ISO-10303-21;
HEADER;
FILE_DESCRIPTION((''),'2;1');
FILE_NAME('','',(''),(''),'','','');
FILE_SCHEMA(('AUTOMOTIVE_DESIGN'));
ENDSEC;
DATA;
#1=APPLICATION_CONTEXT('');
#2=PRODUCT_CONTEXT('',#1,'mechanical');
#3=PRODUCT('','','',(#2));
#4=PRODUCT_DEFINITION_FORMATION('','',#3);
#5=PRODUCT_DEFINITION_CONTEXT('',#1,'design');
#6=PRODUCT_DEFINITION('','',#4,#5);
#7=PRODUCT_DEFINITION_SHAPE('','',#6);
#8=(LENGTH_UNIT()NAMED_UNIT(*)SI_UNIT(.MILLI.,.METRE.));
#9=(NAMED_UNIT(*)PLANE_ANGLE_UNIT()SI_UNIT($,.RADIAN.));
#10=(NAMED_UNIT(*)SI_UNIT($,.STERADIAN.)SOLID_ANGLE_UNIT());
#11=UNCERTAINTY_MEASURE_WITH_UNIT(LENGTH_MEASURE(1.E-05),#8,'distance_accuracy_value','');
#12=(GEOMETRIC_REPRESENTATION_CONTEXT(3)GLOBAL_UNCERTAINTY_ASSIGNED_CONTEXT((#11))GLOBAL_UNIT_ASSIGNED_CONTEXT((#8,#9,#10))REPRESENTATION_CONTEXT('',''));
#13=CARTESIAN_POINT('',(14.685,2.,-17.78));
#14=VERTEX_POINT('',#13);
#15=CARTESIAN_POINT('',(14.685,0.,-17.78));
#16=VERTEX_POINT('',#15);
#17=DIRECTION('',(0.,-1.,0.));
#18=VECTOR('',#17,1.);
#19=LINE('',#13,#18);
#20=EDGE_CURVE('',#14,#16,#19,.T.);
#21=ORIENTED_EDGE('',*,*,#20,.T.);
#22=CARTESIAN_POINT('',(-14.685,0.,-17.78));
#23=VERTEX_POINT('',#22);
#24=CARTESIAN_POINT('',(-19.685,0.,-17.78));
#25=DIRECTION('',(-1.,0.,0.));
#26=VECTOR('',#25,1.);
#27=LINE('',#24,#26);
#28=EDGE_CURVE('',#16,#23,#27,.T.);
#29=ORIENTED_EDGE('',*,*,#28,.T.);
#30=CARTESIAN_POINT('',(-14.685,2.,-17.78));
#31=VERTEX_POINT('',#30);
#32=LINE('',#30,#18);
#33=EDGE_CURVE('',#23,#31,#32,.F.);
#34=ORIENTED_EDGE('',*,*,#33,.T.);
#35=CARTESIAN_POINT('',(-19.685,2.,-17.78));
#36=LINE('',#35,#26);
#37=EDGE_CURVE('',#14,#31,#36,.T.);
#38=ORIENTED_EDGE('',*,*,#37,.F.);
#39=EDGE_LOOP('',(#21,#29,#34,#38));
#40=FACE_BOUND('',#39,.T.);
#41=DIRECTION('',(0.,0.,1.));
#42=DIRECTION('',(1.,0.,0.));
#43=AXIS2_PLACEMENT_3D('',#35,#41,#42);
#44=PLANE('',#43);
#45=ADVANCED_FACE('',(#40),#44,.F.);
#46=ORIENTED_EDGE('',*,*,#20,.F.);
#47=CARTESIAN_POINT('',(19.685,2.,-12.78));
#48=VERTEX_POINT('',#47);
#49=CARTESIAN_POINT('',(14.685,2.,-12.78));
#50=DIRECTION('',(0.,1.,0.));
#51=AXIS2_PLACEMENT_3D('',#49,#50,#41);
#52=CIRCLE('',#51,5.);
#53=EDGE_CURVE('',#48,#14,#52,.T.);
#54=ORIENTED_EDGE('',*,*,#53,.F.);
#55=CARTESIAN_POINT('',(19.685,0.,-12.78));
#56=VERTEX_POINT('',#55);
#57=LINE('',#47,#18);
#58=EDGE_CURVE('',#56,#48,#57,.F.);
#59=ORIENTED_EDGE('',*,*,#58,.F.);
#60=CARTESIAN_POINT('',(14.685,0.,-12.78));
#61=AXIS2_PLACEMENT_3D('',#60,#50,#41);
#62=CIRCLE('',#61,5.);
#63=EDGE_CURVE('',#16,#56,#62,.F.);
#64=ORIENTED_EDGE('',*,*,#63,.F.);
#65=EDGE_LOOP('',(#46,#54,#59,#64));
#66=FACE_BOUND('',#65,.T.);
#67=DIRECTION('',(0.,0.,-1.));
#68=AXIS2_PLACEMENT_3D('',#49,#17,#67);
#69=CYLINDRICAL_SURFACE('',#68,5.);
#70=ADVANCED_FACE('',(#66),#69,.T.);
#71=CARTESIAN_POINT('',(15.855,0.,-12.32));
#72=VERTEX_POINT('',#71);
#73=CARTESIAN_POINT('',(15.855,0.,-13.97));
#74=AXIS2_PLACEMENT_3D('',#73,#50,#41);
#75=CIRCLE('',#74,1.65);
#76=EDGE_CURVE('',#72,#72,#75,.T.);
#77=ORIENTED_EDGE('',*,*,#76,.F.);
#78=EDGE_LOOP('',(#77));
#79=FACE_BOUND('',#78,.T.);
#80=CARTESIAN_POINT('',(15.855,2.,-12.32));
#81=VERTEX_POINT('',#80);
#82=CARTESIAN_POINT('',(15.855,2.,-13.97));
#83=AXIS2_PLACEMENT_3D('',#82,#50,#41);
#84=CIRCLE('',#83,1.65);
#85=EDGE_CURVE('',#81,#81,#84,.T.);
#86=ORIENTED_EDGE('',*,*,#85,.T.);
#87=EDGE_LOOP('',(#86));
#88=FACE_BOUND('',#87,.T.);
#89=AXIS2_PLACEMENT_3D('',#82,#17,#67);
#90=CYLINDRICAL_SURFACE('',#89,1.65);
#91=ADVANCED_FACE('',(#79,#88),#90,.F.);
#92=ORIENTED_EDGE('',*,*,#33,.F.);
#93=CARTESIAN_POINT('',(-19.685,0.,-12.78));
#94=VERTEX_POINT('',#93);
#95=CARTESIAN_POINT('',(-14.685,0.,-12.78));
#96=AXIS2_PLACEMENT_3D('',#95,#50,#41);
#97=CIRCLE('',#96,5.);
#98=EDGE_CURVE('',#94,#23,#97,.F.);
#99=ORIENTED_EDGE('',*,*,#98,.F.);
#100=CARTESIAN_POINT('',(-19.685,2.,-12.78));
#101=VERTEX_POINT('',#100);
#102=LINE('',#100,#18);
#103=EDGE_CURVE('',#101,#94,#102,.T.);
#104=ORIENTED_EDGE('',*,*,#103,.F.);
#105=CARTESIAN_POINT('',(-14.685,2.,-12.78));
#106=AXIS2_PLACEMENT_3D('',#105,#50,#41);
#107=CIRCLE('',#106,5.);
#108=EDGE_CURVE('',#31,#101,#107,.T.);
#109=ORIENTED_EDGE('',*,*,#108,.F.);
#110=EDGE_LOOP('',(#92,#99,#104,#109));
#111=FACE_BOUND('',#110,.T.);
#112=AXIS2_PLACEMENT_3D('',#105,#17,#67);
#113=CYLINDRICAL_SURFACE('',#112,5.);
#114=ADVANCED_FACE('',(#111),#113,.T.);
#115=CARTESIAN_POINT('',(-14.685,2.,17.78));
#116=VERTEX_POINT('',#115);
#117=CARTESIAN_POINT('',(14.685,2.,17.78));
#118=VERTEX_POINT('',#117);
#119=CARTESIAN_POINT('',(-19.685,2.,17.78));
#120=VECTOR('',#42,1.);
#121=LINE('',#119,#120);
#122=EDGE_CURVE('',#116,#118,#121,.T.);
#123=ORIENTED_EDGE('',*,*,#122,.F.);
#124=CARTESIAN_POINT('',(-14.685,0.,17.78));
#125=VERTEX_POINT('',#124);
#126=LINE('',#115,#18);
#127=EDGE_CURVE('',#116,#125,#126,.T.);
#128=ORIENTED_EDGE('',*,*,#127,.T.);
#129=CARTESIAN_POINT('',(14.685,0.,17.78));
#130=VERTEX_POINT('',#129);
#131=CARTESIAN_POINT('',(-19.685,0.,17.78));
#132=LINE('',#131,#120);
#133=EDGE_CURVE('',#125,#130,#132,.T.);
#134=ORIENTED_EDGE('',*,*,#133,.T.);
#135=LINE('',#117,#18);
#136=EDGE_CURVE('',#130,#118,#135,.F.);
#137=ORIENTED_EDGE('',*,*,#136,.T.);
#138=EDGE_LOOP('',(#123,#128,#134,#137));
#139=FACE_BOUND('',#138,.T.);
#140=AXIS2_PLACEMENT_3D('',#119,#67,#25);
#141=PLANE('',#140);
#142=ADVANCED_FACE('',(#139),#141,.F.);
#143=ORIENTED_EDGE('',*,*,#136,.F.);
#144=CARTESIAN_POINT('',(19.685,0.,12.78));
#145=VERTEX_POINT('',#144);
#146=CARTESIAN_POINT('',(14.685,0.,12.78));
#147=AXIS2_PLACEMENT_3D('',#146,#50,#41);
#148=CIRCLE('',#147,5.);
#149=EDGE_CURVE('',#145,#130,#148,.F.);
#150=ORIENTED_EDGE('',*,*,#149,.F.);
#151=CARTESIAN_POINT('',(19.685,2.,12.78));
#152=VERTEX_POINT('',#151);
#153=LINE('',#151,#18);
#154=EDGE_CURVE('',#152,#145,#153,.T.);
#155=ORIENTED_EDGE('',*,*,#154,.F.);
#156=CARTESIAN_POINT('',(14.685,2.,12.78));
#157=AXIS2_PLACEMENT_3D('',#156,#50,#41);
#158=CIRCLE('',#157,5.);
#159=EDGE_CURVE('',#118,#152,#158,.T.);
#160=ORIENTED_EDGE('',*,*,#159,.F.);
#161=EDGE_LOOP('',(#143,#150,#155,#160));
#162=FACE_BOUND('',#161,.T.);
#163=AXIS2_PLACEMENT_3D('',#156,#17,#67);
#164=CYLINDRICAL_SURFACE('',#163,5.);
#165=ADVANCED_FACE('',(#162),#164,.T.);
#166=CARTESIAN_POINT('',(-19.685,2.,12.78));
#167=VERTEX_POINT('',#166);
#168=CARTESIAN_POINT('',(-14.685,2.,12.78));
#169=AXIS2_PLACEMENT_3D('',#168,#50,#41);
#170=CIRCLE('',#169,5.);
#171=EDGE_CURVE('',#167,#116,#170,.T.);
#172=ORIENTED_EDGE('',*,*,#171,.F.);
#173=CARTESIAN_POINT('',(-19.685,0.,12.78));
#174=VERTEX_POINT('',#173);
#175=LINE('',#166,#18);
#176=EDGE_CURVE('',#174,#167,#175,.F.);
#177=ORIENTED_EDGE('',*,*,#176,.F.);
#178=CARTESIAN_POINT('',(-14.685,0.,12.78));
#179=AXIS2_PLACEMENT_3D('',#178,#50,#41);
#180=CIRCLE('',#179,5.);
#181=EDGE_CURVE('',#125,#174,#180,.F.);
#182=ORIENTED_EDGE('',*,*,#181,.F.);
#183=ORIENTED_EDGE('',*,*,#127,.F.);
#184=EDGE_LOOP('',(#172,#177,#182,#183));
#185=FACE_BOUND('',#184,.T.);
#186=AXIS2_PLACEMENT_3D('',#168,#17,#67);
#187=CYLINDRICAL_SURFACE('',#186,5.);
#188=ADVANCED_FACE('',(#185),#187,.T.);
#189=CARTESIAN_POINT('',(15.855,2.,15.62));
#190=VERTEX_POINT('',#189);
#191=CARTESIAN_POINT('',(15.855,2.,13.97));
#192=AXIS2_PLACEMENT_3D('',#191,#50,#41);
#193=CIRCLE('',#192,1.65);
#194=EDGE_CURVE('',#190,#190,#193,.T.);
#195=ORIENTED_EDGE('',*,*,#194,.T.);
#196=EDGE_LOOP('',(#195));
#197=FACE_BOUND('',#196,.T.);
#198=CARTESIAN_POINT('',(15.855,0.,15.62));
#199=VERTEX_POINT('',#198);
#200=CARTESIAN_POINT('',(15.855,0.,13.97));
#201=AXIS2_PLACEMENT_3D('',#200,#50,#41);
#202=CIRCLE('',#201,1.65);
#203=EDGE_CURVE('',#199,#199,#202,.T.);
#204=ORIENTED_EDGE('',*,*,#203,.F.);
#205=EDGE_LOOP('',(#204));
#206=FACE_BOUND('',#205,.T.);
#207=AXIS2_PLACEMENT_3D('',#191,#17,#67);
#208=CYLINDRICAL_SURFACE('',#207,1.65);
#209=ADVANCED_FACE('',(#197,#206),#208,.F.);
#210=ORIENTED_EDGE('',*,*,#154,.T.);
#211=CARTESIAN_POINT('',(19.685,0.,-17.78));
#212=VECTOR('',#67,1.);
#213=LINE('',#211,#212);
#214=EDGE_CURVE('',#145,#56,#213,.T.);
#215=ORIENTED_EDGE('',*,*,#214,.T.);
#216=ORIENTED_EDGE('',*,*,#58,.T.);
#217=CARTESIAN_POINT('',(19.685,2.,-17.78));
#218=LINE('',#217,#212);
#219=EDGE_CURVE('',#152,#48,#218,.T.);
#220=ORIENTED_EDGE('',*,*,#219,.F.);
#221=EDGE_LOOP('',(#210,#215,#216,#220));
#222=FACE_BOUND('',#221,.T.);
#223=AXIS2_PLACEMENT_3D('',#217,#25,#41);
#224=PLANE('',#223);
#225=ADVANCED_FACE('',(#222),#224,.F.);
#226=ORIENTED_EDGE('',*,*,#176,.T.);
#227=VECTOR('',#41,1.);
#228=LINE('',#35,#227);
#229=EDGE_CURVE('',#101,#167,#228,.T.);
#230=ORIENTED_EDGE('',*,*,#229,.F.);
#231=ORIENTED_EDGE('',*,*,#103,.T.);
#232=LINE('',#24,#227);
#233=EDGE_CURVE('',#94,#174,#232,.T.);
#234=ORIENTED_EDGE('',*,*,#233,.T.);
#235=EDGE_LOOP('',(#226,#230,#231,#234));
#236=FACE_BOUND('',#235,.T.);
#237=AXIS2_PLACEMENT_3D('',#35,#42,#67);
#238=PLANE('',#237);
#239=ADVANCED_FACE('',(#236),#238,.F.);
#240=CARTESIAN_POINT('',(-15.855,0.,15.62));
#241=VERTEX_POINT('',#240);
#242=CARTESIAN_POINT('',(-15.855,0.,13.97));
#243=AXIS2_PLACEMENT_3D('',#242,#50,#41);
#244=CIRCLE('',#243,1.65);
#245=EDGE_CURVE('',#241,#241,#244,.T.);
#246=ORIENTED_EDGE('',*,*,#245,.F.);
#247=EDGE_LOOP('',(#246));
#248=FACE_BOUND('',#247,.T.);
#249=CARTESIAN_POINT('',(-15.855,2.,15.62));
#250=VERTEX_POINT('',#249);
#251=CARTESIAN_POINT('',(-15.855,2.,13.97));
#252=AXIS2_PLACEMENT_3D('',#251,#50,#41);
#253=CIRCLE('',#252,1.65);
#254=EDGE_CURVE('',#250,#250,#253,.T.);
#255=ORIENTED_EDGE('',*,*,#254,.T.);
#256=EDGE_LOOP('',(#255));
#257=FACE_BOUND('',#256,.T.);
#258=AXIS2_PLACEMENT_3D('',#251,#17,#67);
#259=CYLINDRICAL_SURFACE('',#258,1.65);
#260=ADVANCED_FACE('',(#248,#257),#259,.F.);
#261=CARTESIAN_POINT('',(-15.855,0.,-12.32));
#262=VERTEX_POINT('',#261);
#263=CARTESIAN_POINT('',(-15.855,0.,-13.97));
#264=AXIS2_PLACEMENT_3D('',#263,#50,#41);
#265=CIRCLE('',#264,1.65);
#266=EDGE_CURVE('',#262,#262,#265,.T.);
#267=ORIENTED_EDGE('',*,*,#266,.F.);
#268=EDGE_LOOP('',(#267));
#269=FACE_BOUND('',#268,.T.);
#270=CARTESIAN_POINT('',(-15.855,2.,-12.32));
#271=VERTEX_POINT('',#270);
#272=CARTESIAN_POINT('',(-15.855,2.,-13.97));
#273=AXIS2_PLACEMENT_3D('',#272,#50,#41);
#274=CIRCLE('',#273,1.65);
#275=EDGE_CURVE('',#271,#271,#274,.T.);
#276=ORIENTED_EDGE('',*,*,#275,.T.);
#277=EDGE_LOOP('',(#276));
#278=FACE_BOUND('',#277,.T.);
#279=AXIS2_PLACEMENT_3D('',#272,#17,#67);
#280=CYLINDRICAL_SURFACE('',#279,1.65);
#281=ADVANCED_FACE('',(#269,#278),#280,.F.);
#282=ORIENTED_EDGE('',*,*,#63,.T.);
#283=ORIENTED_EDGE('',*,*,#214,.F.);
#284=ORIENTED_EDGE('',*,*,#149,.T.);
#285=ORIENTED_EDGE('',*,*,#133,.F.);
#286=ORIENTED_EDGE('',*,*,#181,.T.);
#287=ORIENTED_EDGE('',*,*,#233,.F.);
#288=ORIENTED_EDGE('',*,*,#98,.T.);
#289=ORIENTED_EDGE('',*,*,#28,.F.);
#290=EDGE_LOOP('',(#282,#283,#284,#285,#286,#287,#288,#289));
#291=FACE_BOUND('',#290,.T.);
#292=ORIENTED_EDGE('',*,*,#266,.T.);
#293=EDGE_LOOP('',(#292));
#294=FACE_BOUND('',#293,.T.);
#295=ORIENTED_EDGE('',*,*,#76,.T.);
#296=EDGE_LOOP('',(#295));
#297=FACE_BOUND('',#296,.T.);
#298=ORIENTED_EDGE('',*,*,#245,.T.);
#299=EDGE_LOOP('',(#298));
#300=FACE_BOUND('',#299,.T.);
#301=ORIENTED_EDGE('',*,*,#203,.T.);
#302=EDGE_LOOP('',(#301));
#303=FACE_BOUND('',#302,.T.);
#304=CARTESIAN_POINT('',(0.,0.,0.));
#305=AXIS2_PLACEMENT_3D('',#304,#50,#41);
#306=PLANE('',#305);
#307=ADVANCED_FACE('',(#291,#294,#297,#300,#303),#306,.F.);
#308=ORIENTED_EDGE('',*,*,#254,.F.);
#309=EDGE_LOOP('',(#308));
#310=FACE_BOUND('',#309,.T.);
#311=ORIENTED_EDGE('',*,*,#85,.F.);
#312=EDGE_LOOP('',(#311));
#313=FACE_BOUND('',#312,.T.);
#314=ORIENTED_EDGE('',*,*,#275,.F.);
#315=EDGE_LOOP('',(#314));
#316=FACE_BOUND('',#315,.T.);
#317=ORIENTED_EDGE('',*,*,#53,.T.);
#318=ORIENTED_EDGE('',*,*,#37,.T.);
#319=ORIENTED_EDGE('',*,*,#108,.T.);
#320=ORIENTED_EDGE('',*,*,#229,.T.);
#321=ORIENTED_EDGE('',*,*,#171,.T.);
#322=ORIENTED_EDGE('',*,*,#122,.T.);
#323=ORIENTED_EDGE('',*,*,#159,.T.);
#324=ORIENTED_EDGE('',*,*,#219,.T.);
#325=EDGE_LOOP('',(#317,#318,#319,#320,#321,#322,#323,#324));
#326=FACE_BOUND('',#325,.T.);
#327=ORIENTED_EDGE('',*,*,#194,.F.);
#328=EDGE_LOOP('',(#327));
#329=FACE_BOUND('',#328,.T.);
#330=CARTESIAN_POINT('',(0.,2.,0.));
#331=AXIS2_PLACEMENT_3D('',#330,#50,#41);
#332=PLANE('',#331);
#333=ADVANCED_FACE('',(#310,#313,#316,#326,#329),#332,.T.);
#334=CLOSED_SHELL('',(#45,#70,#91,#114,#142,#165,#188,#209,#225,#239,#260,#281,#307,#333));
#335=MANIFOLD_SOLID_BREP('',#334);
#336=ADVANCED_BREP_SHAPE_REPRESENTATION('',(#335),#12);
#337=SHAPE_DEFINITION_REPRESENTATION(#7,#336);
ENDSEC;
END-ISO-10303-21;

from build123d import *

# Parameters (mm, degrees)
ESQUISSE1_W        = 39.37
ESQUISSE1_H        = 35.56
ESQUISSE1_R        = 1.65
BOSS_EXTRU_1_DEPTH = 2
CONG_2_R           = 5


with BuildPart() as part:
    # Esquisse1 → Boss.-Extru.1 (new body)
    with BuildSketch(Plane(origin=(0, 0, 0), x_dir=(1, 0, 0), z_dir=(0, 1, 0))):
        Rectangle(ESQUISSE1_W, ESQUISSE1_H)
        with Locations((-15.855, 13.97)):
            Circle(ESQUISSE1_R, mode=Mode.SUBTRACT)
        with Locations((15.855, 13.97)):
            Circle(ESQUISSE1_R, mode=Mode.SUBTRACT)
        with Locations((-15.855, -13.97)):
            Circle(ESQUISSE1_R, mode=Mode.SUBTRACT)
        with Locations((15.855, -13.97)):
            Circle(ESQUISSE1_R, mode=Mode.SUBTRACT)
    extrude(amount=BOSS_EXTRU_1_DEPTH)

    # Congé2
    cong_2_edges = [part.edges().sort_by_distance(p)[0] for p in [
        (19.685, 1, 17.78),
        (-19.685, 1, 17.78),
        (-19.685, 1, -17.78),
        (19.685, 1, -17.78),
    ]]
    fillet(cong_2_edges, radius=CONG_2_R)


solid = part.part
